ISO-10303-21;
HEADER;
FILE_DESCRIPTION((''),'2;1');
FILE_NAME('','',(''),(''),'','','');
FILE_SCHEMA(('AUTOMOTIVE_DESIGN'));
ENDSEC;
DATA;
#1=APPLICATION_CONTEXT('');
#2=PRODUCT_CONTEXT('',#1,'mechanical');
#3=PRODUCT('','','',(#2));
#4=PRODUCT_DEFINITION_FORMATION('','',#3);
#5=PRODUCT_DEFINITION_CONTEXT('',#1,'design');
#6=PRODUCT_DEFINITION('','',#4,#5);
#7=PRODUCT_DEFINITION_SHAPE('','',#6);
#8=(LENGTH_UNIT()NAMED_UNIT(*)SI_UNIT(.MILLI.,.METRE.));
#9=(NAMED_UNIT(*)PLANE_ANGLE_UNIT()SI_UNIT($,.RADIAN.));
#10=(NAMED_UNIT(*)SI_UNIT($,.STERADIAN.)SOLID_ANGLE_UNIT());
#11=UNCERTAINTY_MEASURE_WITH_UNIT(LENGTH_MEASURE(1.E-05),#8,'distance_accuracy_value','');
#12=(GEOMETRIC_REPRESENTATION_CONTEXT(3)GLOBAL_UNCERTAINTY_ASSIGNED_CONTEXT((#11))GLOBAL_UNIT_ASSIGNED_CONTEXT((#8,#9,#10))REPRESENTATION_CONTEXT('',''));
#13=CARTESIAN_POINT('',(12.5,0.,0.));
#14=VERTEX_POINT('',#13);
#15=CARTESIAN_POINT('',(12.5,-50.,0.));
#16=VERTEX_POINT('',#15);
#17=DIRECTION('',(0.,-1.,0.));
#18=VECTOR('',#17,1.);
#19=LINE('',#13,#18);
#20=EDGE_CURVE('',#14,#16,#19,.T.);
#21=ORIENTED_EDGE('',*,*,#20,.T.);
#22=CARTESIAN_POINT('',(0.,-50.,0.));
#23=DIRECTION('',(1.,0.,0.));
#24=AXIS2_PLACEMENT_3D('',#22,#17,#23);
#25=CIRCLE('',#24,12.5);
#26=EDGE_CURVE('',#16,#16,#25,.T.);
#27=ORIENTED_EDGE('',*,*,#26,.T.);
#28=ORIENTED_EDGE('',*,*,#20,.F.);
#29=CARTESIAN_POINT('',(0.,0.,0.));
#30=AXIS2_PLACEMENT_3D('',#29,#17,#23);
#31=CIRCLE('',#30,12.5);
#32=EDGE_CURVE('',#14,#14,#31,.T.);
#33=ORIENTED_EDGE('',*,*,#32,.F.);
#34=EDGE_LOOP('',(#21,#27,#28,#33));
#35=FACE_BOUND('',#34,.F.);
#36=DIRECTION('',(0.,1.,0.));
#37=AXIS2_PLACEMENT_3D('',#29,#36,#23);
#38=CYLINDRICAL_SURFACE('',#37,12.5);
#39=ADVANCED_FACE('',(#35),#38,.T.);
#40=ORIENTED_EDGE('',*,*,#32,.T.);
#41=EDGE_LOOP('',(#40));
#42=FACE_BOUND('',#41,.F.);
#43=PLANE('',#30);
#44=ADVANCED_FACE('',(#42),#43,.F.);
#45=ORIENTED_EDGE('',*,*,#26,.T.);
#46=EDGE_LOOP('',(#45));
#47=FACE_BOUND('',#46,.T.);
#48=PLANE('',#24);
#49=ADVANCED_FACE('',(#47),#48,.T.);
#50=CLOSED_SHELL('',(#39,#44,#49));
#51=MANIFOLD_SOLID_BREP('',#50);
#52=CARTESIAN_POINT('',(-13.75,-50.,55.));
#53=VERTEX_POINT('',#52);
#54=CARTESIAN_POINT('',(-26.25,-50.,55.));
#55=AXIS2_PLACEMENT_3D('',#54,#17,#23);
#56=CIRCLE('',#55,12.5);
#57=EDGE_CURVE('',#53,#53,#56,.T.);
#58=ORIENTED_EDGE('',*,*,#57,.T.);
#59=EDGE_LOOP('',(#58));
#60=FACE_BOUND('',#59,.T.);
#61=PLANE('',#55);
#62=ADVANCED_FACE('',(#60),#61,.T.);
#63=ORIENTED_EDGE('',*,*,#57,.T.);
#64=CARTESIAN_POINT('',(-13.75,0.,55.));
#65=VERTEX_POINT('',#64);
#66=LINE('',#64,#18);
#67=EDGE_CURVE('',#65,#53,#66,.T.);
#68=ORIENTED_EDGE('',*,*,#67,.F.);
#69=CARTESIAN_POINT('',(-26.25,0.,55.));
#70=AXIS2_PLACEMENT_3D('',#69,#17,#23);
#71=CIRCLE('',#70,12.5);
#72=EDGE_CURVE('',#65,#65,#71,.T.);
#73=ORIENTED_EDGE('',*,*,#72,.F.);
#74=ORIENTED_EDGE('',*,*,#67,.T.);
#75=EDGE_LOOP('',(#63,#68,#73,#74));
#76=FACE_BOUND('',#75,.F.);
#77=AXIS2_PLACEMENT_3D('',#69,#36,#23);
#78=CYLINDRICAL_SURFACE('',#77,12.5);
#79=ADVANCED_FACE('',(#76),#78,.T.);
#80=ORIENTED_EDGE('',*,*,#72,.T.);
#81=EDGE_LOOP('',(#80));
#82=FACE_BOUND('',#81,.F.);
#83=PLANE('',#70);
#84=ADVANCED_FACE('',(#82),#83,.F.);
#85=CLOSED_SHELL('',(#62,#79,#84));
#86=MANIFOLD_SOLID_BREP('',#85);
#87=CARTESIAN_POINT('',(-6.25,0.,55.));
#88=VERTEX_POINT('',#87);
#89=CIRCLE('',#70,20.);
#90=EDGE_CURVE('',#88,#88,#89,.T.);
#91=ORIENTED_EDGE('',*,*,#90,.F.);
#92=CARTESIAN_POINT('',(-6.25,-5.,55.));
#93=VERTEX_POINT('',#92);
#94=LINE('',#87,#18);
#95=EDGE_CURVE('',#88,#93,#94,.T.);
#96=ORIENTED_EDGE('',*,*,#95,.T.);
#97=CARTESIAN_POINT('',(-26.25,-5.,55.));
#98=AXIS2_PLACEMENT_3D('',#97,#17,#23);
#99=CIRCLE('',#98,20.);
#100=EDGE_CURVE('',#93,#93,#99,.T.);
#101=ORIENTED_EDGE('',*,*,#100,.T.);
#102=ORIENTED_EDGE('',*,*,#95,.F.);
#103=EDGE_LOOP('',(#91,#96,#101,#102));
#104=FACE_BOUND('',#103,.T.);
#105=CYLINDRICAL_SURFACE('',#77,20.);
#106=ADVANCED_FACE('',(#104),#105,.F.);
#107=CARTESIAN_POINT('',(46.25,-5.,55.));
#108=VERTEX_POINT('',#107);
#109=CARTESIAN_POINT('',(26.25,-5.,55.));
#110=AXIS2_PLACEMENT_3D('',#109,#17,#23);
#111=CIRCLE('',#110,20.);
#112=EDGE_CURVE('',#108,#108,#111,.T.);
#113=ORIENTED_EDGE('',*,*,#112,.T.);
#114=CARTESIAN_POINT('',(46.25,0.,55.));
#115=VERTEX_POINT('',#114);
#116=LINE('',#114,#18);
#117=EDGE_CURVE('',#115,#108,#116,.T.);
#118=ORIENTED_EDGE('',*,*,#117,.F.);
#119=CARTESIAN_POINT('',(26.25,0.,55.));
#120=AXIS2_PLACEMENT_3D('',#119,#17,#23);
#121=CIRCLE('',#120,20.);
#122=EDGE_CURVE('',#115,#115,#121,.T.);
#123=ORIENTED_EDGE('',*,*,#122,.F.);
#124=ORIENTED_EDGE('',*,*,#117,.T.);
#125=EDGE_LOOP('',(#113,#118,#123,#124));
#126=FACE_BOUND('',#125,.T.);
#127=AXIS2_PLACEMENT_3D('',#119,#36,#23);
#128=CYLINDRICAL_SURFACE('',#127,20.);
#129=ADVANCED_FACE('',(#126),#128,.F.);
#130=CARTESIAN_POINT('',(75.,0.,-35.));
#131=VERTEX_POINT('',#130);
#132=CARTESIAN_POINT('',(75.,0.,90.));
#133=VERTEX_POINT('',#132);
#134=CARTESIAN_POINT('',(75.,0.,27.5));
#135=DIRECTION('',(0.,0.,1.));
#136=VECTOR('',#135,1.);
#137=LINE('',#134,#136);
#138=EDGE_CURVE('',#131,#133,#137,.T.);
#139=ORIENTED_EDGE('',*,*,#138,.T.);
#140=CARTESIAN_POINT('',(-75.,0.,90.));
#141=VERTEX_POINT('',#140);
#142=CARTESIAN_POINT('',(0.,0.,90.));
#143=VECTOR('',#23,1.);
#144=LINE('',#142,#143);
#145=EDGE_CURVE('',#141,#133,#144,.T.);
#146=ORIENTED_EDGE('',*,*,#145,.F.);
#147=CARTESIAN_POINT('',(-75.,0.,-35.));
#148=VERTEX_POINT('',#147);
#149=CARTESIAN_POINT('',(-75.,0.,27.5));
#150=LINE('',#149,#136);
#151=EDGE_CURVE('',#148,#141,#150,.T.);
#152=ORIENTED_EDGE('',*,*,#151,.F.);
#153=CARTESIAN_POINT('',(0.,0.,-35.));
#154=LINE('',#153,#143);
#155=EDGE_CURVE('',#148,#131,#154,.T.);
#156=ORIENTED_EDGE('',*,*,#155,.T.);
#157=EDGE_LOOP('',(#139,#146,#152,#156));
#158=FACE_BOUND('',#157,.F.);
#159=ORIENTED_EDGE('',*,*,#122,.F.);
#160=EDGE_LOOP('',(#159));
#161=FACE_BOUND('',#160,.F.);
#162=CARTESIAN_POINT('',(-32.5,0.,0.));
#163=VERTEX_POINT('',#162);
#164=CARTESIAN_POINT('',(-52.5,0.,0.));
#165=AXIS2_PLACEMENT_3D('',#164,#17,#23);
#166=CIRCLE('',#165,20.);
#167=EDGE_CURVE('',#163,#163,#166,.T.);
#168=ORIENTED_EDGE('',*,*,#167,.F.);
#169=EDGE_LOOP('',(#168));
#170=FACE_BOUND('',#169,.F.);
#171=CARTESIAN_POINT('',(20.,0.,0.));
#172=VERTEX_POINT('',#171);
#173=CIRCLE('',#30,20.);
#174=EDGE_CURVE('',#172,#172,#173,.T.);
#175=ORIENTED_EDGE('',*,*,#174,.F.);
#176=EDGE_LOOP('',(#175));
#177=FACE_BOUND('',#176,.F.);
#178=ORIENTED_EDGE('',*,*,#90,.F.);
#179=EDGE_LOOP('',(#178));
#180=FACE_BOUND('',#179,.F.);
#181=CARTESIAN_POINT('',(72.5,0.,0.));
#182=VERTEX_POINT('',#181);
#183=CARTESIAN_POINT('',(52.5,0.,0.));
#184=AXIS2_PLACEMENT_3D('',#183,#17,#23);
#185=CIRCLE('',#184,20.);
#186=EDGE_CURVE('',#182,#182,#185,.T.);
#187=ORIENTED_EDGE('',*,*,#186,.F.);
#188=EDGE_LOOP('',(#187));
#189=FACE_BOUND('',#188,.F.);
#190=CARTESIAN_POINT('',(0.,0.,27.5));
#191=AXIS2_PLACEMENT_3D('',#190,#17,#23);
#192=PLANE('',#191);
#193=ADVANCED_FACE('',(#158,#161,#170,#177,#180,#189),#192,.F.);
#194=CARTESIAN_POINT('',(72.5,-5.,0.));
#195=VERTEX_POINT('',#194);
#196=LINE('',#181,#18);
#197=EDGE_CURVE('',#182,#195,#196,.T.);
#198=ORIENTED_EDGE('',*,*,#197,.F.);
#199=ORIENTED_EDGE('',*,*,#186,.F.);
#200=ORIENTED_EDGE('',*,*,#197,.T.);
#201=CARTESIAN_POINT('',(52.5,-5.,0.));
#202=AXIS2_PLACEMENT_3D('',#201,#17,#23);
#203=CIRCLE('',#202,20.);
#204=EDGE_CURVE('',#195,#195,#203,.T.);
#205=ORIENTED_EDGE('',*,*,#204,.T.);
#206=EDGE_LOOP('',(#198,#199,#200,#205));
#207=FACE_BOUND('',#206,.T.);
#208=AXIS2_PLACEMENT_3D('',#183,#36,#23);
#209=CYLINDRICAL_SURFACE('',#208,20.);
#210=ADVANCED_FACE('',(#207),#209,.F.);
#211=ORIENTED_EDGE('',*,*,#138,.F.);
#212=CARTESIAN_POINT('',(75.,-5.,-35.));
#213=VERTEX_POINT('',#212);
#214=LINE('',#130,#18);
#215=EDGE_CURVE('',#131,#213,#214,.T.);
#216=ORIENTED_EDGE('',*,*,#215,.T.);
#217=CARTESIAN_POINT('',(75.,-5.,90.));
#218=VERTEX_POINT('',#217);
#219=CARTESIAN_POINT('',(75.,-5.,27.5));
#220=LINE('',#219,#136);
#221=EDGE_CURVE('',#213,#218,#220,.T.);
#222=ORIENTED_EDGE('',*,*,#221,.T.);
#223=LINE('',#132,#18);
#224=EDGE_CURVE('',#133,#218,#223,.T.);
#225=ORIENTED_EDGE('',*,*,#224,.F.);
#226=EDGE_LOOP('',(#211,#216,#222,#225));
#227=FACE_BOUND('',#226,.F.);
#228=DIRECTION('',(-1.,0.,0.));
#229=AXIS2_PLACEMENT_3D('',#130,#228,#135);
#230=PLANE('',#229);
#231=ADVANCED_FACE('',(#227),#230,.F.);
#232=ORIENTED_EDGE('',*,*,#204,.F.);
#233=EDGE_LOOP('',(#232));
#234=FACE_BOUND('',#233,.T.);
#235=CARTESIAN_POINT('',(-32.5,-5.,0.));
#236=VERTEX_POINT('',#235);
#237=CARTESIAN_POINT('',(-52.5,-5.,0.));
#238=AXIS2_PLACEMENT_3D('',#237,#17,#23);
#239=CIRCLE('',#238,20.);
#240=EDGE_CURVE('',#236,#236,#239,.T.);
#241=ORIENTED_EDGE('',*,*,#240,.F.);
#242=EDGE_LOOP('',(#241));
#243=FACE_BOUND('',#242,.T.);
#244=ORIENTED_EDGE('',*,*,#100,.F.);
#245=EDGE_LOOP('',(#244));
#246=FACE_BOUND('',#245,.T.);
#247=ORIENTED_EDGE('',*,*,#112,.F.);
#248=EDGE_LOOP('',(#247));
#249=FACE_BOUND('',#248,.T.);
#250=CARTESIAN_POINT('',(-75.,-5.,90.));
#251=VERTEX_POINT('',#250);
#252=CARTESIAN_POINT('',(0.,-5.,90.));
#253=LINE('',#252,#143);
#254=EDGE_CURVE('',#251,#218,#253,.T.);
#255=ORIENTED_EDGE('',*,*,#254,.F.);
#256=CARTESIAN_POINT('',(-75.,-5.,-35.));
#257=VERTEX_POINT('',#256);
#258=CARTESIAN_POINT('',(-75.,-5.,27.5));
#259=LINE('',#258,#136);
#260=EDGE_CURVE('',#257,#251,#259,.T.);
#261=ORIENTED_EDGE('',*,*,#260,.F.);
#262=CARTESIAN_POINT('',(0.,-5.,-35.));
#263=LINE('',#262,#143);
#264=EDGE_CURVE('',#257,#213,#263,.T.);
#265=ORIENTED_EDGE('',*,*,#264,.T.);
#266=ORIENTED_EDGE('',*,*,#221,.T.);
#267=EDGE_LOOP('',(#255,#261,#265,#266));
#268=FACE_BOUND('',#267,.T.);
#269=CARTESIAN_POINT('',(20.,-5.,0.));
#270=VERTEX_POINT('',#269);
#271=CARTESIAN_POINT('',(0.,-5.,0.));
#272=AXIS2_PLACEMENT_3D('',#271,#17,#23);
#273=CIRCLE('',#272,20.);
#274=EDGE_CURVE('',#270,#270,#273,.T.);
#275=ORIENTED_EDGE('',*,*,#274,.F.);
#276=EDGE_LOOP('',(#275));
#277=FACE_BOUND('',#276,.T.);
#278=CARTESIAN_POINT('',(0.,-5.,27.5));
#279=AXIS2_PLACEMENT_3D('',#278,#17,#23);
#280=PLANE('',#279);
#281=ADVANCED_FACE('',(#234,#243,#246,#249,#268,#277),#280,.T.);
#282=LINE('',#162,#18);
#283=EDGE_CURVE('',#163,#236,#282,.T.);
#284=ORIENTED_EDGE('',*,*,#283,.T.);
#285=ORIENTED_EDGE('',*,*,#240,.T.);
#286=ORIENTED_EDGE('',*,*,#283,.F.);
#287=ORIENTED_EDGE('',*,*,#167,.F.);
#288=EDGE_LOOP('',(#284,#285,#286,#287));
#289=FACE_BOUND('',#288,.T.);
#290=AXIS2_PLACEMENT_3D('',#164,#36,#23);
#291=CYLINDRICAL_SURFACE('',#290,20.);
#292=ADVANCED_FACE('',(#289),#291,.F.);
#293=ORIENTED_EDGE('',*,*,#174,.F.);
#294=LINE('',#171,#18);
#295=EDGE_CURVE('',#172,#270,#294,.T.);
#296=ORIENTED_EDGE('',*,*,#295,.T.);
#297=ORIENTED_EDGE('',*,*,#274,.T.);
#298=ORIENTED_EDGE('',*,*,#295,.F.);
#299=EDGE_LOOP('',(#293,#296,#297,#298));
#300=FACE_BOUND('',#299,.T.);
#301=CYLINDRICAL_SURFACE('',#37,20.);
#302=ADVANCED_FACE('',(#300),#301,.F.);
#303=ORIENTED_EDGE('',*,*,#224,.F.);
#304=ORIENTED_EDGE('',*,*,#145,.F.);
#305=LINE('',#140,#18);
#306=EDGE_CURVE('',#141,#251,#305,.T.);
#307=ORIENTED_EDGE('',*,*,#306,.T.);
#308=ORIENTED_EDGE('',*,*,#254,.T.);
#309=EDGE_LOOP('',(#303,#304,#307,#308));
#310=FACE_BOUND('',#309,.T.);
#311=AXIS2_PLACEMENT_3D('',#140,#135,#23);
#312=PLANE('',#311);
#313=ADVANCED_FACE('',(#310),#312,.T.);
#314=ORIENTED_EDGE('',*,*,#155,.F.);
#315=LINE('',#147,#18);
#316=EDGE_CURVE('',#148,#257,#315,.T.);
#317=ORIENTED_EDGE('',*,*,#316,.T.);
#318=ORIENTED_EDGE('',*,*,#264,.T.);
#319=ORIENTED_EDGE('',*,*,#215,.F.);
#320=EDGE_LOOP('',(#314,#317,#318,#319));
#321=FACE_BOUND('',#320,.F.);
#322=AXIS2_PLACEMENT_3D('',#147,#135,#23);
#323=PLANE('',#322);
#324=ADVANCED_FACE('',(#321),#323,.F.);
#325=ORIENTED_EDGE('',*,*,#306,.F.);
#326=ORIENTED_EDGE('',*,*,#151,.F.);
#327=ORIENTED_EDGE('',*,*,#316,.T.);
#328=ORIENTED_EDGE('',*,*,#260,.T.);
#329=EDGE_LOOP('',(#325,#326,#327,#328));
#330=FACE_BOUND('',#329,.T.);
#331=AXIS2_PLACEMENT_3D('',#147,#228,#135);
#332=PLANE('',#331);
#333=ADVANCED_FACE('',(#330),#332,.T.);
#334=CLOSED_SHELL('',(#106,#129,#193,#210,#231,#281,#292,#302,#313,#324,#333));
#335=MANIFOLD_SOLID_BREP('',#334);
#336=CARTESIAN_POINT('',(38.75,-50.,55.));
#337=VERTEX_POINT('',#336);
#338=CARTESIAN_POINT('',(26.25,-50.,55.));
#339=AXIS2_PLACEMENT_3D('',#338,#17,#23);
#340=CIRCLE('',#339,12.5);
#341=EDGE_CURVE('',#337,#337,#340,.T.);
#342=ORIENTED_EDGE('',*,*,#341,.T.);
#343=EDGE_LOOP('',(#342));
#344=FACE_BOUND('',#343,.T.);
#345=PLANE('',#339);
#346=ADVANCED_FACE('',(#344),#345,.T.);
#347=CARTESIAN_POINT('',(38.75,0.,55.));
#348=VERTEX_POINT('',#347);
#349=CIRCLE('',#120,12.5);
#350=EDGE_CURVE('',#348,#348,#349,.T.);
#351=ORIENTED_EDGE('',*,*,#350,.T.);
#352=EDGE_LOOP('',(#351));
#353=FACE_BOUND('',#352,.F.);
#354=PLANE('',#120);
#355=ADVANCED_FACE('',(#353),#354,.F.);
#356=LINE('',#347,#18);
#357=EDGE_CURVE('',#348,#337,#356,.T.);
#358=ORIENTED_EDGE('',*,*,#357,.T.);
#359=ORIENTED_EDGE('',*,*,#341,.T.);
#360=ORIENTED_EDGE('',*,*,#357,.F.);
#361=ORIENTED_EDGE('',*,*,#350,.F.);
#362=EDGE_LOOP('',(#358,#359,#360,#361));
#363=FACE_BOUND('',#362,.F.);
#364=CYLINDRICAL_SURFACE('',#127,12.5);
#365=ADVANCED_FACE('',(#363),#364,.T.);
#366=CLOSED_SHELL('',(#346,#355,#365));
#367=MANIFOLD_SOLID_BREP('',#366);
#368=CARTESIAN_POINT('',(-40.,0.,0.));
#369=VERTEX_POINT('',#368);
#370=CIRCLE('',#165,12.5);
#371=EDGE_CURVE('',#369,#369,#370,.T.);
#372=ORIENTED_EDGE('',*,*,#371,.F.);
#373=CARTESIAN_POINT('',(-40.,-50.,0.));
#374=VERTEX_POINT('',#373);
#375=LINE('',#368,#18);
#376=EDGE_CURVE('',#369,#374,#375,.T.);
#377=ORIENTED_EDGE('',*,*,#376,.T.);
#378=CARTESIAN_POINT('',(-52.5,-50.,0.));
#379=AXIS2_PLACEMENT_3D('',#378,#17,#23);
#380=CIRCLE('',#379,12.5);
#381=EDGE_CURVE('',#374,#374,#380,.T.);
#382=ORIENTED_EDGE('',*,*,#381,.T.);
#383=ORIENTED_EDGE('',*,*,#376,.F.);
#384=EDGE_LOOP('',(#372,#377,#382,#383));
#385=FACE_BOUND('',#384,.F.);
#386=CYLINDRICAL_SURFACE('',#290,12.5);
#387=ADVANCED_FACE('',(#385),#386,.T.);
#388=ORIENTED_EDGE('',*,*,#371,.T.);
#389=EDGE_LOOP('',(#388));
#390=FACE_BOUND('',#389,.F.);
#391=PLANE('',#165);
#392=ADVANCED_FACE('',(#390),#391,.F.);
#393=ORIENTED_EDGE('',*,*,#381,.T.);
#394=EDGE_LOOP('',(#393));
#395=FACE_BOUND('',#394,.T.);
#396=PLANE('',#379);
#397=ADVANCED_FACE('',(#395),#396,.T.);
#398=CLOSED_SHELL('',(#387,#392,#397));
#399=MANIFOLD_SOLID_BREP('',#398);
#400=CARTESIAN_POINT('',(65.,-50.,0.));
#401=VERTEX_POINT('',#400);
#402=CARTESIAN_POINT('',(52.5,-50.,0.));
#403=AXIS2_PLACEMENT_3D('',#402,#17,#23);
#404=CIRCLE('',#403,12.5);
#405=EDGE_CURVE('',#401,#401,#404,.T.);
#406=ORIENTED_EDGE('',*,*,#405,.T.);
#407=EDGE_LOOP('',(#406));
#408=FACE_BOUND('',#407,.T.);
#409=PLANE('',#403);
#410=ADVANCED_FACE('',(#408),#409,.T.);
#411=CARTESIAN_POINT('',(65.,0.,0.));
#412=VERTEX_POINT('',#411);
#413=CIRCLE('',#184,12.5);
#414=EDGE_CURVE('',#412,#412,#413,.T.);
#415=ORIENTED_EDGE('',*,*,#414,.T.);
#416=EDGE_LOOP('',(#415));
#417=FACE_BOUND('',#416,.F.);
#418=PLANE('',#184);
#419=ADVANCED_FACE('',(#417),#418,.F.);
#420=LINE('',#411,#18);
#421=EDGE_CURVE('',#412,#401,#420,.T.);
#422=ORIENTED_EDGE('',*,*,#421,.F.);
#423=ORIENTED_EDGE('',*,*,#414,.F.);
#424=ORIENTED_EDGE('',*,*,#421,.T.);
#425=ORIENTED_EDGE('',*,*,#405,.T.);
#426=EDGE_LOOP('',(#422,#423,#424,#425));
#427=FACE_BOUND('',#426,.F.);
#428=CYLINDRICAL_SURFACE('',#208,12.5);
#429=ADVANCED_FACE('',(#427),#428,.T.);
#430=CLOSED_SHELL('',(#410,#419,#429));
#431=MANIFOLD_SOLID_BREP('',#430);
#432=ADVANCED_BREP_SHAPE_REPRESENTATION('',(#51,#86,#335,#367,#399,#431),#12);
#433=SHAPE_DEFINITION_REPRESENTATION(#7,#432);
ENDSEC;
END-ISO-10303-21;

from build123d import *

# Parameters (mm, degrees)
F0_R     = 12.5
F1_DEPTH = 50
F0_W     = 150
F0_H     = 125
F0_R_2   = 20
F2_DEPTH = 5


with BuildPart() as f1:
    # F0 (on Front) → F1 (new body)
    with BuildSketch(Plane.XZ):
        with Locations((-26.25, 55)):
            Circle(F0_R)
        with Locations((26.25, 55)):
            Circle(F0_R)
        with Locations((-52.5, 0)):
            Circle(F0_R)
        Circle(F0_R)
        with Locations((52.5, 0)):
            Circle(F0_R)
    extrude(amount=F1_DEPTH)


with BuildPart() as f2:
    # F0 (on Front) → F2 (new body)
    with BuildSketch(Plane.XZ):
        with Locations((0, 27.5)):
            Rectangle(F0_W, F0_H)
        with Locations((-52.5, 0)):
            Circle(F0_R_2, mode=Mode.SUBTRACT)
        Circle(F0_R_2, mode=Mode.SUBTRACT)
        with Locations((52.5, 0)):
            Circle(F0_R_2, mode=Mode.SUBTRACT)
        with Locations((-26.25, 55)):
            Circle(F0_R_2, mode=Mode.SUBTRACT)
        with Locations((26.25, 55)):
            Circle(F0_R_2, mode=Mode.SUBTRACT)
    extrude(amount=F2_DEPTH)


solid = Compound([f1.part, f2.part])
